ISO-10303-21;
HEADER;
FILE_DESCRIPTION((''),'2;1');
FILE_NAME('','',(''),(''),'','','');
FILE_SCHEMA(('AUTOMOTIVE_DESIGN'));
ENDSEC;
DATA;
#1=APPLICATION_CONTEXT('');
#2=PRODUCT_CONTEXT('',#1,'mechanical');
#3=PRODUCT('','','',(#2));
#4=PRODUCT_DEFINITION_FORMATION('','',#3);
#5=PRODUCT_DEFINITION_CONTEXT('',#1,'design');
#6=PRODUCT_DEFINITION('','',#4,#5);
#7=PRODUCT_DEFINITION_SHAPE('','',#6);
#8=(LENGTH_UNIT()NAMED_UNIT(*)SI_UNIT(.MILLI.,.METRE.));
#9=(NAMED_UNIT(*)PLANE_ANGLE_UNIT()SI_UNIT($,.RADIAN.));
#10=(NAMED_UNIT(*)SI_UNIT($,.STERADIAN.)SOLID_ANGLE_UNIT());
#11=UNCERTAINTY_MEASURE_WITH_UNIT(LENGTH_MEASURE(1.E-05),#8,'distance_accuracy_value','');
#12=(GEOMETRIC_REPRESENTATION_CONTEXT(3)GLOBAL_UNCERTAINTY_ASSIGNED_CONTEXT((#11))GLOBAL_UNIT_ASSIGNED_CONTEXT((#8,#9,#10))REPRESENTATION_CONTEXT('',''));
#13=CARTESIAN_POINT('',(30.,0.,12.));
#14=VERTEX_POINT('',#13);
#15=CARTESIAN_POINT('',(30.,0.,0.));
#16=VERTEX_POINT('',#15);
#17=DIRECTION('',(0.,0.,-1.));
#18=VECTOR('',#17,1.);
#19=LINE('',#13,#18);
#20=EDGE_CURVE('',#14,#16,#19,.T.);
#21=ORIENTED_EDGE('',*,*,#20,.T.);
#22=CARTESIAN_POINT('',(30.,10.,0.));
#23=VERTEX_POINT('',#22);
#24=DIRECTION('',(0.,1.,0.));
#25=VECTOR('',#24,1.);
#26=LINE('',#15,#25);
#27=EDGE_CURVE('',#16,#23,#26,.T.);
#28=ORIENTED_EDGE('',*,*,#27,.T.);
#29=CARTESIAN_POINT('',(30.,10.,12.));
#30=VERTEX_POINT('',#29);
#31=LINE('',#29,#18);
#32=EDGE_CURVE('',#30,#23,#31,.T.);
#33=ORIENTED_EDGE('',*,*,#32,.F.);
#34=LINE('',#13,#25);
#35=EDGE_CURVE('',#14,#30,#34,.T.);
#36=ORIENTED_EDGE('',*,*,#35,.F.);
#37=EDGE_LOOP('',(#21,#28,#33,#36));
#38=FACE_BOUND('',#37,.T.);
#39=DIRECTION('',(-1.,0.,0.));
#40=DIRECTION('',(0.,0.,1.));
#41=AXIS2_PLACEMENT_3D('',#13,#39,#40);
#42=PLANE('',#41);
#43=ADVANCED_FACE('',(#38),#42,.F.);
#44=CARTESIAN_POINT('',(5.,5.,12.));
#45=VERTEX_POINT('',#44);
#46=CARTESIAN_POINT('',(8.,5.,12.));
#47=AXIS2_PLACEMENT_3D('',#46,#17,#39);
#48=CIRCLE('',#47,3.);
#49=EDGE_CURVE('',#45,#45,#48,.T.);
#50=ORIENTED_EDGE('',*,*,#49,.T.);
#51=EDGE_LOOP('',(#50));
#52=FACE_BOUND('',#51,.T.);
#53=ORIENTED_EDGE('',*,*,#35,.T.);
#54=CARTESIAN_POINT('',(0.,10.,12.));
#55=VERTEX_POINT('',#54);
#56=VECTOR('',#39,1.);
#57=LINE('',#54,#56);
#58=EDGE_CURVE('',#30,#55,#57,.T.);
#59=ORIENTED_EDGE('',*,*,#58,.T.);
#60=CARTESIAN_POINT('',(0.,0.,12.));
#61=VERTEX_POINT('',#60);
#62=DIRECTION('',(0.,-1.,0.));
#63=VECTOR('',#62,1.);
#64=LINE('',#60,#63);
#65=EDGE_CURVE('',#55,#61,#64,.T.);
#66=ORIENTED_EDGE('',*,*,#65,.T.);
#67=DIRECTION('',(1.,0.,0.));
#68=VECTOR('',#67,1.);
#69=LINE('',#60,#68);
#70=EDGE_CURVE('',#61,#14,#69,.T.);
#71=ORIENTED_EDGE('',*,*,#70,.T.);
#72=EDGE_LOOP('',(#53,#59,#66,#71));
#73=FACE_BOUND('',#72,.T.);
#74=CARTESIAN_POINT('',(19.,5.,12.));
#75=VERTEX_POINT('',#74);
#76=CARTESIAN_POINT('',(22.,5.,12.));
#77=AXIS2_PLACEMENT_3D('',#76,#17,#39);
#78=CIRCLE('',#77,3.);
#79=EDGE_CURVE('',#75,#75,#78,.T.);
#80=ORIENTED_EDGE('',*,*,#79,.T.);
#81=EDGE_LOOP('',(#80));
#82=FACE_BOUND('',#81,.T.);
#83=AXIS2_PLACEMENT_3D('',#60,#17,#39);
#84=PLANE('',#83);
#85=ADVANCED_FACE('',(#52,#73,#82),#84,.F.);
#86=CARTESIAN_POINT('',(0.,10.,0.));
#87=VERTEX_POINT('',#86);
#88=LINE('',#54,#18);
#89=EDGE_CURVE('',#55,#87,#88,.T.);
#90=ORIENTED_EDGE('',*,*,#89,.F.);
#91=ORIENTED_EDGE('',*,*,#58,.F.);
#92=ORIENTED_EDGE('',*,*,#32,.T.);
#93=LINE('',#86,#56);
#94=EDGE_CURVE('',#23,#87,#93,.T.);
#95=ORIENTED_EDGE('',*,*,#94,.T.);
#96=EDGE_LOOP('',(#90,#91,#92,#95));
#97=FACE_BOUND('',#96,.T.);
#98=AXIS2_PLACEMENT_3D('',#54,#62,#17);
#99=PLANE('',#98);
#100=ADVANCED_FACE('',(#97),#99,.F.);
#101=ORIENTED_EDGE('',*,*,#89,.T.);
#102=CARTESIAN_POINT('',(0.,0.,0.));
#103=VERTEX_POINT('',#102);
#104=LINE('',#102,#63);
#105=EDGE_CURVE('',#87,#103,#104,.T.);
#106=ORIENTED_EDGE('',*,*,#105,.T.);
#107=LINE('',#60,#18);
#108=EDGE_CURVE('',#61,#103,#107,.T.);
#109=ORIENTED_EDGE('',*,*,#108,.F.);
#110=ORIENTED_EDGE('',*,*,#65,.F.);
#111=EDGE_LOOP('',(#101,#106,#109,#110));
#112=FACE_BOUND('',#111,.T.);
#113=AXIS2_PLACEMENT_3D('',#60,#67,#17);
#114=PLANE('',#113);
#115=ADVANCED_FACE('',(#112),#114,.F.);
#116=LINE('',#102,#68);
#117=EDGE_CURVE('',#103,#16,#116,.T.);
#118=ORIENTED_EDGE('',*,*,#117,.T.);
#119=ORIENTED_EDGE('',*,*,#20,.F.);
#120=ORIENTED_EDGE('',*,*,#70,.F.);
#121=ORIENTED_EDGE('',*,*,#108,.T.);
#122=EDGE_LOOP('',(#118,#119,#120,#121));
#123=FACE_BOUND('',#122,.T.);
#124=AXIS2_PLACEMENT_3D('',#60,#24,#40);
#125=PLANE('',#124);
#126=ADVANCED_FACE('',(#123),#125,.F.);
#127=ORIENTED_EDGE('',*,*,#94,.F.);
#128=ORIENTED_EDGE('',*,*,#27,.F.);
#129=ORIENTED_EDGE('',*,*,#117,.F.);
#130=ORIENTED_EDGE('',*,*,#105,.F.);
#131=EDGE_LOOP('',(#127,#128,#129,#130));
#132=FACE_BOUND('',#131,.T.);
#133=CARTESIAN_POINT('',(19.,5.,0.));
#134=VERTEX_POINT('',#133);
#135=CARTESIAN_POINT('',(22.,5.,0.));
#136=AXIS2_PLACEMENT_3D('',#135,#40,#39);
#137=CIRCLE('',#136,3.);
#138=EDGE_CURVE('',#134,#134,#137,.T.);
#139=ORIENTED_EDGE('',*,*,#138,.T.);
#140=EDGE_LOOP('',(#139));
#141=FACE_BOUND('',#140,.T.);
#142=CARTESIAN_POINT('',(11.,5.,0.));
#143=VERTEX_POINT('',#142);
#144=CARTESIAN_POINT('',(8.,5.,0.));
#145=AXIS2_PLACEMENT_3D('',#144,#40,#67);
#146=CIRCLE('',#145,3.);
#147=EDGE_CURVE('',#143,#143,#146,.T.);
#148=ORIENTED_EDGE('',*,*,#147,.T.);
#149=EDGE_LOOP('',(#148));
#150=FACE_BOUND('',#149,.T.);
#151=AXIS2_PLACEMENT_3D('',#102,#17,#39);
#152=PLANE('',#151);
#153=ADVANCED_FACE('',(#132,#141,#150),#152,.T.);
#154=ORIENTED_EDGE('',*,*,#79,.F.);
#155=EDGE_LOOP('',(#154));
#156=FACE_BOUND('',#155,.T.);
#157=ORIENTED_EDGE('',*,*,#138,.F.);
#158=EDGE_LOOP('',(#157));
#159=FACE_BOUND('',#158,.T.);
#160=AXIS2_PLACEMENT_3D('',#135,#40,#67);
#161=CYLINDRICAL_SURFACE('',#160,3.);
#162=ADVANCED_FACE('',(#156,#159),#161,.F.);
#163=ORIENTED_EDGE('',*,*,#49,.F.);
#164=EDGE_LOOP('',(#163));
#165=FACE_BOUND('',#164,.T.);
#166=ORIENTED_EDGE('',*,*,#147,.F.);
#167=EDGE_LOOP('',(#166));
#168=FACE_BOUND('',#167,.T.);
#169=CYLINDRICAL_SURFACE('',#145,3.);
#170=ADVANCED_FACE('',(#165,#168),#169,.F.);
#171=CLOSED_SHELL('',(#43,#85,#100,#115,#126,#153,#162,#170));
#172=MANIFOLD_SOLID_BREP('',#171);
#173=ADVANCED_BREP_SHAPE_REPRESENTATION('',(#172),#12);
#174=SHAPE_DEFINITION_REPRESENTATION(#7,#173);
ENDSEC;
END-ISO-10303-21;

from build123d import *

# Parameters (mm, degrees)
ESQUISSE1_W                  = 30
ESQUISSE1_H                  = 10
BOSS_EXTRU_1_DEPTH           = 12
ENL_V_MAT_EXTRU_1_DEPTH      = 34.823069051
ENL_V_MAT_EXTRU_1_DEPTH_BACK = 34.823069051
ESQUISSE2_R                  = 3


with BuildPart() as part:
    # Esquisse1 → Boss.-Extru.1 (new body)
    with BuildSketch(Plane.XY):
        with Locations((15, 5)):
            Rectangle(ESQUISSE1_W, ESQUISSE1_H)
    extrude(amount=BOSS_EXTRU_1_DEPTH)

    # Esquisse2 → Enlèv. mat.-Extru.1 (cut, two sides: drawn at the far end of the back side and taken through both)
    with BuildSketch(Plane.XY.offset(12).offset(-ENL_V_MAT_EXTRU_1_DEPTH_BACK)):
        with Locations((8, 5)):
            Circle(ESQUISSE2_R)
        with Locations(Location((22, 5, 0), (0, 0, 180))):
            Circle(ESQUISSE2_R)
    extrude(amount=ENL_V_MAT_EXTRU_1_DEPTH + ENL_V_MAT_EXTRU_1_DEPTH_BACK, mode=Mode.SUBTRACT)


solid = part.part
